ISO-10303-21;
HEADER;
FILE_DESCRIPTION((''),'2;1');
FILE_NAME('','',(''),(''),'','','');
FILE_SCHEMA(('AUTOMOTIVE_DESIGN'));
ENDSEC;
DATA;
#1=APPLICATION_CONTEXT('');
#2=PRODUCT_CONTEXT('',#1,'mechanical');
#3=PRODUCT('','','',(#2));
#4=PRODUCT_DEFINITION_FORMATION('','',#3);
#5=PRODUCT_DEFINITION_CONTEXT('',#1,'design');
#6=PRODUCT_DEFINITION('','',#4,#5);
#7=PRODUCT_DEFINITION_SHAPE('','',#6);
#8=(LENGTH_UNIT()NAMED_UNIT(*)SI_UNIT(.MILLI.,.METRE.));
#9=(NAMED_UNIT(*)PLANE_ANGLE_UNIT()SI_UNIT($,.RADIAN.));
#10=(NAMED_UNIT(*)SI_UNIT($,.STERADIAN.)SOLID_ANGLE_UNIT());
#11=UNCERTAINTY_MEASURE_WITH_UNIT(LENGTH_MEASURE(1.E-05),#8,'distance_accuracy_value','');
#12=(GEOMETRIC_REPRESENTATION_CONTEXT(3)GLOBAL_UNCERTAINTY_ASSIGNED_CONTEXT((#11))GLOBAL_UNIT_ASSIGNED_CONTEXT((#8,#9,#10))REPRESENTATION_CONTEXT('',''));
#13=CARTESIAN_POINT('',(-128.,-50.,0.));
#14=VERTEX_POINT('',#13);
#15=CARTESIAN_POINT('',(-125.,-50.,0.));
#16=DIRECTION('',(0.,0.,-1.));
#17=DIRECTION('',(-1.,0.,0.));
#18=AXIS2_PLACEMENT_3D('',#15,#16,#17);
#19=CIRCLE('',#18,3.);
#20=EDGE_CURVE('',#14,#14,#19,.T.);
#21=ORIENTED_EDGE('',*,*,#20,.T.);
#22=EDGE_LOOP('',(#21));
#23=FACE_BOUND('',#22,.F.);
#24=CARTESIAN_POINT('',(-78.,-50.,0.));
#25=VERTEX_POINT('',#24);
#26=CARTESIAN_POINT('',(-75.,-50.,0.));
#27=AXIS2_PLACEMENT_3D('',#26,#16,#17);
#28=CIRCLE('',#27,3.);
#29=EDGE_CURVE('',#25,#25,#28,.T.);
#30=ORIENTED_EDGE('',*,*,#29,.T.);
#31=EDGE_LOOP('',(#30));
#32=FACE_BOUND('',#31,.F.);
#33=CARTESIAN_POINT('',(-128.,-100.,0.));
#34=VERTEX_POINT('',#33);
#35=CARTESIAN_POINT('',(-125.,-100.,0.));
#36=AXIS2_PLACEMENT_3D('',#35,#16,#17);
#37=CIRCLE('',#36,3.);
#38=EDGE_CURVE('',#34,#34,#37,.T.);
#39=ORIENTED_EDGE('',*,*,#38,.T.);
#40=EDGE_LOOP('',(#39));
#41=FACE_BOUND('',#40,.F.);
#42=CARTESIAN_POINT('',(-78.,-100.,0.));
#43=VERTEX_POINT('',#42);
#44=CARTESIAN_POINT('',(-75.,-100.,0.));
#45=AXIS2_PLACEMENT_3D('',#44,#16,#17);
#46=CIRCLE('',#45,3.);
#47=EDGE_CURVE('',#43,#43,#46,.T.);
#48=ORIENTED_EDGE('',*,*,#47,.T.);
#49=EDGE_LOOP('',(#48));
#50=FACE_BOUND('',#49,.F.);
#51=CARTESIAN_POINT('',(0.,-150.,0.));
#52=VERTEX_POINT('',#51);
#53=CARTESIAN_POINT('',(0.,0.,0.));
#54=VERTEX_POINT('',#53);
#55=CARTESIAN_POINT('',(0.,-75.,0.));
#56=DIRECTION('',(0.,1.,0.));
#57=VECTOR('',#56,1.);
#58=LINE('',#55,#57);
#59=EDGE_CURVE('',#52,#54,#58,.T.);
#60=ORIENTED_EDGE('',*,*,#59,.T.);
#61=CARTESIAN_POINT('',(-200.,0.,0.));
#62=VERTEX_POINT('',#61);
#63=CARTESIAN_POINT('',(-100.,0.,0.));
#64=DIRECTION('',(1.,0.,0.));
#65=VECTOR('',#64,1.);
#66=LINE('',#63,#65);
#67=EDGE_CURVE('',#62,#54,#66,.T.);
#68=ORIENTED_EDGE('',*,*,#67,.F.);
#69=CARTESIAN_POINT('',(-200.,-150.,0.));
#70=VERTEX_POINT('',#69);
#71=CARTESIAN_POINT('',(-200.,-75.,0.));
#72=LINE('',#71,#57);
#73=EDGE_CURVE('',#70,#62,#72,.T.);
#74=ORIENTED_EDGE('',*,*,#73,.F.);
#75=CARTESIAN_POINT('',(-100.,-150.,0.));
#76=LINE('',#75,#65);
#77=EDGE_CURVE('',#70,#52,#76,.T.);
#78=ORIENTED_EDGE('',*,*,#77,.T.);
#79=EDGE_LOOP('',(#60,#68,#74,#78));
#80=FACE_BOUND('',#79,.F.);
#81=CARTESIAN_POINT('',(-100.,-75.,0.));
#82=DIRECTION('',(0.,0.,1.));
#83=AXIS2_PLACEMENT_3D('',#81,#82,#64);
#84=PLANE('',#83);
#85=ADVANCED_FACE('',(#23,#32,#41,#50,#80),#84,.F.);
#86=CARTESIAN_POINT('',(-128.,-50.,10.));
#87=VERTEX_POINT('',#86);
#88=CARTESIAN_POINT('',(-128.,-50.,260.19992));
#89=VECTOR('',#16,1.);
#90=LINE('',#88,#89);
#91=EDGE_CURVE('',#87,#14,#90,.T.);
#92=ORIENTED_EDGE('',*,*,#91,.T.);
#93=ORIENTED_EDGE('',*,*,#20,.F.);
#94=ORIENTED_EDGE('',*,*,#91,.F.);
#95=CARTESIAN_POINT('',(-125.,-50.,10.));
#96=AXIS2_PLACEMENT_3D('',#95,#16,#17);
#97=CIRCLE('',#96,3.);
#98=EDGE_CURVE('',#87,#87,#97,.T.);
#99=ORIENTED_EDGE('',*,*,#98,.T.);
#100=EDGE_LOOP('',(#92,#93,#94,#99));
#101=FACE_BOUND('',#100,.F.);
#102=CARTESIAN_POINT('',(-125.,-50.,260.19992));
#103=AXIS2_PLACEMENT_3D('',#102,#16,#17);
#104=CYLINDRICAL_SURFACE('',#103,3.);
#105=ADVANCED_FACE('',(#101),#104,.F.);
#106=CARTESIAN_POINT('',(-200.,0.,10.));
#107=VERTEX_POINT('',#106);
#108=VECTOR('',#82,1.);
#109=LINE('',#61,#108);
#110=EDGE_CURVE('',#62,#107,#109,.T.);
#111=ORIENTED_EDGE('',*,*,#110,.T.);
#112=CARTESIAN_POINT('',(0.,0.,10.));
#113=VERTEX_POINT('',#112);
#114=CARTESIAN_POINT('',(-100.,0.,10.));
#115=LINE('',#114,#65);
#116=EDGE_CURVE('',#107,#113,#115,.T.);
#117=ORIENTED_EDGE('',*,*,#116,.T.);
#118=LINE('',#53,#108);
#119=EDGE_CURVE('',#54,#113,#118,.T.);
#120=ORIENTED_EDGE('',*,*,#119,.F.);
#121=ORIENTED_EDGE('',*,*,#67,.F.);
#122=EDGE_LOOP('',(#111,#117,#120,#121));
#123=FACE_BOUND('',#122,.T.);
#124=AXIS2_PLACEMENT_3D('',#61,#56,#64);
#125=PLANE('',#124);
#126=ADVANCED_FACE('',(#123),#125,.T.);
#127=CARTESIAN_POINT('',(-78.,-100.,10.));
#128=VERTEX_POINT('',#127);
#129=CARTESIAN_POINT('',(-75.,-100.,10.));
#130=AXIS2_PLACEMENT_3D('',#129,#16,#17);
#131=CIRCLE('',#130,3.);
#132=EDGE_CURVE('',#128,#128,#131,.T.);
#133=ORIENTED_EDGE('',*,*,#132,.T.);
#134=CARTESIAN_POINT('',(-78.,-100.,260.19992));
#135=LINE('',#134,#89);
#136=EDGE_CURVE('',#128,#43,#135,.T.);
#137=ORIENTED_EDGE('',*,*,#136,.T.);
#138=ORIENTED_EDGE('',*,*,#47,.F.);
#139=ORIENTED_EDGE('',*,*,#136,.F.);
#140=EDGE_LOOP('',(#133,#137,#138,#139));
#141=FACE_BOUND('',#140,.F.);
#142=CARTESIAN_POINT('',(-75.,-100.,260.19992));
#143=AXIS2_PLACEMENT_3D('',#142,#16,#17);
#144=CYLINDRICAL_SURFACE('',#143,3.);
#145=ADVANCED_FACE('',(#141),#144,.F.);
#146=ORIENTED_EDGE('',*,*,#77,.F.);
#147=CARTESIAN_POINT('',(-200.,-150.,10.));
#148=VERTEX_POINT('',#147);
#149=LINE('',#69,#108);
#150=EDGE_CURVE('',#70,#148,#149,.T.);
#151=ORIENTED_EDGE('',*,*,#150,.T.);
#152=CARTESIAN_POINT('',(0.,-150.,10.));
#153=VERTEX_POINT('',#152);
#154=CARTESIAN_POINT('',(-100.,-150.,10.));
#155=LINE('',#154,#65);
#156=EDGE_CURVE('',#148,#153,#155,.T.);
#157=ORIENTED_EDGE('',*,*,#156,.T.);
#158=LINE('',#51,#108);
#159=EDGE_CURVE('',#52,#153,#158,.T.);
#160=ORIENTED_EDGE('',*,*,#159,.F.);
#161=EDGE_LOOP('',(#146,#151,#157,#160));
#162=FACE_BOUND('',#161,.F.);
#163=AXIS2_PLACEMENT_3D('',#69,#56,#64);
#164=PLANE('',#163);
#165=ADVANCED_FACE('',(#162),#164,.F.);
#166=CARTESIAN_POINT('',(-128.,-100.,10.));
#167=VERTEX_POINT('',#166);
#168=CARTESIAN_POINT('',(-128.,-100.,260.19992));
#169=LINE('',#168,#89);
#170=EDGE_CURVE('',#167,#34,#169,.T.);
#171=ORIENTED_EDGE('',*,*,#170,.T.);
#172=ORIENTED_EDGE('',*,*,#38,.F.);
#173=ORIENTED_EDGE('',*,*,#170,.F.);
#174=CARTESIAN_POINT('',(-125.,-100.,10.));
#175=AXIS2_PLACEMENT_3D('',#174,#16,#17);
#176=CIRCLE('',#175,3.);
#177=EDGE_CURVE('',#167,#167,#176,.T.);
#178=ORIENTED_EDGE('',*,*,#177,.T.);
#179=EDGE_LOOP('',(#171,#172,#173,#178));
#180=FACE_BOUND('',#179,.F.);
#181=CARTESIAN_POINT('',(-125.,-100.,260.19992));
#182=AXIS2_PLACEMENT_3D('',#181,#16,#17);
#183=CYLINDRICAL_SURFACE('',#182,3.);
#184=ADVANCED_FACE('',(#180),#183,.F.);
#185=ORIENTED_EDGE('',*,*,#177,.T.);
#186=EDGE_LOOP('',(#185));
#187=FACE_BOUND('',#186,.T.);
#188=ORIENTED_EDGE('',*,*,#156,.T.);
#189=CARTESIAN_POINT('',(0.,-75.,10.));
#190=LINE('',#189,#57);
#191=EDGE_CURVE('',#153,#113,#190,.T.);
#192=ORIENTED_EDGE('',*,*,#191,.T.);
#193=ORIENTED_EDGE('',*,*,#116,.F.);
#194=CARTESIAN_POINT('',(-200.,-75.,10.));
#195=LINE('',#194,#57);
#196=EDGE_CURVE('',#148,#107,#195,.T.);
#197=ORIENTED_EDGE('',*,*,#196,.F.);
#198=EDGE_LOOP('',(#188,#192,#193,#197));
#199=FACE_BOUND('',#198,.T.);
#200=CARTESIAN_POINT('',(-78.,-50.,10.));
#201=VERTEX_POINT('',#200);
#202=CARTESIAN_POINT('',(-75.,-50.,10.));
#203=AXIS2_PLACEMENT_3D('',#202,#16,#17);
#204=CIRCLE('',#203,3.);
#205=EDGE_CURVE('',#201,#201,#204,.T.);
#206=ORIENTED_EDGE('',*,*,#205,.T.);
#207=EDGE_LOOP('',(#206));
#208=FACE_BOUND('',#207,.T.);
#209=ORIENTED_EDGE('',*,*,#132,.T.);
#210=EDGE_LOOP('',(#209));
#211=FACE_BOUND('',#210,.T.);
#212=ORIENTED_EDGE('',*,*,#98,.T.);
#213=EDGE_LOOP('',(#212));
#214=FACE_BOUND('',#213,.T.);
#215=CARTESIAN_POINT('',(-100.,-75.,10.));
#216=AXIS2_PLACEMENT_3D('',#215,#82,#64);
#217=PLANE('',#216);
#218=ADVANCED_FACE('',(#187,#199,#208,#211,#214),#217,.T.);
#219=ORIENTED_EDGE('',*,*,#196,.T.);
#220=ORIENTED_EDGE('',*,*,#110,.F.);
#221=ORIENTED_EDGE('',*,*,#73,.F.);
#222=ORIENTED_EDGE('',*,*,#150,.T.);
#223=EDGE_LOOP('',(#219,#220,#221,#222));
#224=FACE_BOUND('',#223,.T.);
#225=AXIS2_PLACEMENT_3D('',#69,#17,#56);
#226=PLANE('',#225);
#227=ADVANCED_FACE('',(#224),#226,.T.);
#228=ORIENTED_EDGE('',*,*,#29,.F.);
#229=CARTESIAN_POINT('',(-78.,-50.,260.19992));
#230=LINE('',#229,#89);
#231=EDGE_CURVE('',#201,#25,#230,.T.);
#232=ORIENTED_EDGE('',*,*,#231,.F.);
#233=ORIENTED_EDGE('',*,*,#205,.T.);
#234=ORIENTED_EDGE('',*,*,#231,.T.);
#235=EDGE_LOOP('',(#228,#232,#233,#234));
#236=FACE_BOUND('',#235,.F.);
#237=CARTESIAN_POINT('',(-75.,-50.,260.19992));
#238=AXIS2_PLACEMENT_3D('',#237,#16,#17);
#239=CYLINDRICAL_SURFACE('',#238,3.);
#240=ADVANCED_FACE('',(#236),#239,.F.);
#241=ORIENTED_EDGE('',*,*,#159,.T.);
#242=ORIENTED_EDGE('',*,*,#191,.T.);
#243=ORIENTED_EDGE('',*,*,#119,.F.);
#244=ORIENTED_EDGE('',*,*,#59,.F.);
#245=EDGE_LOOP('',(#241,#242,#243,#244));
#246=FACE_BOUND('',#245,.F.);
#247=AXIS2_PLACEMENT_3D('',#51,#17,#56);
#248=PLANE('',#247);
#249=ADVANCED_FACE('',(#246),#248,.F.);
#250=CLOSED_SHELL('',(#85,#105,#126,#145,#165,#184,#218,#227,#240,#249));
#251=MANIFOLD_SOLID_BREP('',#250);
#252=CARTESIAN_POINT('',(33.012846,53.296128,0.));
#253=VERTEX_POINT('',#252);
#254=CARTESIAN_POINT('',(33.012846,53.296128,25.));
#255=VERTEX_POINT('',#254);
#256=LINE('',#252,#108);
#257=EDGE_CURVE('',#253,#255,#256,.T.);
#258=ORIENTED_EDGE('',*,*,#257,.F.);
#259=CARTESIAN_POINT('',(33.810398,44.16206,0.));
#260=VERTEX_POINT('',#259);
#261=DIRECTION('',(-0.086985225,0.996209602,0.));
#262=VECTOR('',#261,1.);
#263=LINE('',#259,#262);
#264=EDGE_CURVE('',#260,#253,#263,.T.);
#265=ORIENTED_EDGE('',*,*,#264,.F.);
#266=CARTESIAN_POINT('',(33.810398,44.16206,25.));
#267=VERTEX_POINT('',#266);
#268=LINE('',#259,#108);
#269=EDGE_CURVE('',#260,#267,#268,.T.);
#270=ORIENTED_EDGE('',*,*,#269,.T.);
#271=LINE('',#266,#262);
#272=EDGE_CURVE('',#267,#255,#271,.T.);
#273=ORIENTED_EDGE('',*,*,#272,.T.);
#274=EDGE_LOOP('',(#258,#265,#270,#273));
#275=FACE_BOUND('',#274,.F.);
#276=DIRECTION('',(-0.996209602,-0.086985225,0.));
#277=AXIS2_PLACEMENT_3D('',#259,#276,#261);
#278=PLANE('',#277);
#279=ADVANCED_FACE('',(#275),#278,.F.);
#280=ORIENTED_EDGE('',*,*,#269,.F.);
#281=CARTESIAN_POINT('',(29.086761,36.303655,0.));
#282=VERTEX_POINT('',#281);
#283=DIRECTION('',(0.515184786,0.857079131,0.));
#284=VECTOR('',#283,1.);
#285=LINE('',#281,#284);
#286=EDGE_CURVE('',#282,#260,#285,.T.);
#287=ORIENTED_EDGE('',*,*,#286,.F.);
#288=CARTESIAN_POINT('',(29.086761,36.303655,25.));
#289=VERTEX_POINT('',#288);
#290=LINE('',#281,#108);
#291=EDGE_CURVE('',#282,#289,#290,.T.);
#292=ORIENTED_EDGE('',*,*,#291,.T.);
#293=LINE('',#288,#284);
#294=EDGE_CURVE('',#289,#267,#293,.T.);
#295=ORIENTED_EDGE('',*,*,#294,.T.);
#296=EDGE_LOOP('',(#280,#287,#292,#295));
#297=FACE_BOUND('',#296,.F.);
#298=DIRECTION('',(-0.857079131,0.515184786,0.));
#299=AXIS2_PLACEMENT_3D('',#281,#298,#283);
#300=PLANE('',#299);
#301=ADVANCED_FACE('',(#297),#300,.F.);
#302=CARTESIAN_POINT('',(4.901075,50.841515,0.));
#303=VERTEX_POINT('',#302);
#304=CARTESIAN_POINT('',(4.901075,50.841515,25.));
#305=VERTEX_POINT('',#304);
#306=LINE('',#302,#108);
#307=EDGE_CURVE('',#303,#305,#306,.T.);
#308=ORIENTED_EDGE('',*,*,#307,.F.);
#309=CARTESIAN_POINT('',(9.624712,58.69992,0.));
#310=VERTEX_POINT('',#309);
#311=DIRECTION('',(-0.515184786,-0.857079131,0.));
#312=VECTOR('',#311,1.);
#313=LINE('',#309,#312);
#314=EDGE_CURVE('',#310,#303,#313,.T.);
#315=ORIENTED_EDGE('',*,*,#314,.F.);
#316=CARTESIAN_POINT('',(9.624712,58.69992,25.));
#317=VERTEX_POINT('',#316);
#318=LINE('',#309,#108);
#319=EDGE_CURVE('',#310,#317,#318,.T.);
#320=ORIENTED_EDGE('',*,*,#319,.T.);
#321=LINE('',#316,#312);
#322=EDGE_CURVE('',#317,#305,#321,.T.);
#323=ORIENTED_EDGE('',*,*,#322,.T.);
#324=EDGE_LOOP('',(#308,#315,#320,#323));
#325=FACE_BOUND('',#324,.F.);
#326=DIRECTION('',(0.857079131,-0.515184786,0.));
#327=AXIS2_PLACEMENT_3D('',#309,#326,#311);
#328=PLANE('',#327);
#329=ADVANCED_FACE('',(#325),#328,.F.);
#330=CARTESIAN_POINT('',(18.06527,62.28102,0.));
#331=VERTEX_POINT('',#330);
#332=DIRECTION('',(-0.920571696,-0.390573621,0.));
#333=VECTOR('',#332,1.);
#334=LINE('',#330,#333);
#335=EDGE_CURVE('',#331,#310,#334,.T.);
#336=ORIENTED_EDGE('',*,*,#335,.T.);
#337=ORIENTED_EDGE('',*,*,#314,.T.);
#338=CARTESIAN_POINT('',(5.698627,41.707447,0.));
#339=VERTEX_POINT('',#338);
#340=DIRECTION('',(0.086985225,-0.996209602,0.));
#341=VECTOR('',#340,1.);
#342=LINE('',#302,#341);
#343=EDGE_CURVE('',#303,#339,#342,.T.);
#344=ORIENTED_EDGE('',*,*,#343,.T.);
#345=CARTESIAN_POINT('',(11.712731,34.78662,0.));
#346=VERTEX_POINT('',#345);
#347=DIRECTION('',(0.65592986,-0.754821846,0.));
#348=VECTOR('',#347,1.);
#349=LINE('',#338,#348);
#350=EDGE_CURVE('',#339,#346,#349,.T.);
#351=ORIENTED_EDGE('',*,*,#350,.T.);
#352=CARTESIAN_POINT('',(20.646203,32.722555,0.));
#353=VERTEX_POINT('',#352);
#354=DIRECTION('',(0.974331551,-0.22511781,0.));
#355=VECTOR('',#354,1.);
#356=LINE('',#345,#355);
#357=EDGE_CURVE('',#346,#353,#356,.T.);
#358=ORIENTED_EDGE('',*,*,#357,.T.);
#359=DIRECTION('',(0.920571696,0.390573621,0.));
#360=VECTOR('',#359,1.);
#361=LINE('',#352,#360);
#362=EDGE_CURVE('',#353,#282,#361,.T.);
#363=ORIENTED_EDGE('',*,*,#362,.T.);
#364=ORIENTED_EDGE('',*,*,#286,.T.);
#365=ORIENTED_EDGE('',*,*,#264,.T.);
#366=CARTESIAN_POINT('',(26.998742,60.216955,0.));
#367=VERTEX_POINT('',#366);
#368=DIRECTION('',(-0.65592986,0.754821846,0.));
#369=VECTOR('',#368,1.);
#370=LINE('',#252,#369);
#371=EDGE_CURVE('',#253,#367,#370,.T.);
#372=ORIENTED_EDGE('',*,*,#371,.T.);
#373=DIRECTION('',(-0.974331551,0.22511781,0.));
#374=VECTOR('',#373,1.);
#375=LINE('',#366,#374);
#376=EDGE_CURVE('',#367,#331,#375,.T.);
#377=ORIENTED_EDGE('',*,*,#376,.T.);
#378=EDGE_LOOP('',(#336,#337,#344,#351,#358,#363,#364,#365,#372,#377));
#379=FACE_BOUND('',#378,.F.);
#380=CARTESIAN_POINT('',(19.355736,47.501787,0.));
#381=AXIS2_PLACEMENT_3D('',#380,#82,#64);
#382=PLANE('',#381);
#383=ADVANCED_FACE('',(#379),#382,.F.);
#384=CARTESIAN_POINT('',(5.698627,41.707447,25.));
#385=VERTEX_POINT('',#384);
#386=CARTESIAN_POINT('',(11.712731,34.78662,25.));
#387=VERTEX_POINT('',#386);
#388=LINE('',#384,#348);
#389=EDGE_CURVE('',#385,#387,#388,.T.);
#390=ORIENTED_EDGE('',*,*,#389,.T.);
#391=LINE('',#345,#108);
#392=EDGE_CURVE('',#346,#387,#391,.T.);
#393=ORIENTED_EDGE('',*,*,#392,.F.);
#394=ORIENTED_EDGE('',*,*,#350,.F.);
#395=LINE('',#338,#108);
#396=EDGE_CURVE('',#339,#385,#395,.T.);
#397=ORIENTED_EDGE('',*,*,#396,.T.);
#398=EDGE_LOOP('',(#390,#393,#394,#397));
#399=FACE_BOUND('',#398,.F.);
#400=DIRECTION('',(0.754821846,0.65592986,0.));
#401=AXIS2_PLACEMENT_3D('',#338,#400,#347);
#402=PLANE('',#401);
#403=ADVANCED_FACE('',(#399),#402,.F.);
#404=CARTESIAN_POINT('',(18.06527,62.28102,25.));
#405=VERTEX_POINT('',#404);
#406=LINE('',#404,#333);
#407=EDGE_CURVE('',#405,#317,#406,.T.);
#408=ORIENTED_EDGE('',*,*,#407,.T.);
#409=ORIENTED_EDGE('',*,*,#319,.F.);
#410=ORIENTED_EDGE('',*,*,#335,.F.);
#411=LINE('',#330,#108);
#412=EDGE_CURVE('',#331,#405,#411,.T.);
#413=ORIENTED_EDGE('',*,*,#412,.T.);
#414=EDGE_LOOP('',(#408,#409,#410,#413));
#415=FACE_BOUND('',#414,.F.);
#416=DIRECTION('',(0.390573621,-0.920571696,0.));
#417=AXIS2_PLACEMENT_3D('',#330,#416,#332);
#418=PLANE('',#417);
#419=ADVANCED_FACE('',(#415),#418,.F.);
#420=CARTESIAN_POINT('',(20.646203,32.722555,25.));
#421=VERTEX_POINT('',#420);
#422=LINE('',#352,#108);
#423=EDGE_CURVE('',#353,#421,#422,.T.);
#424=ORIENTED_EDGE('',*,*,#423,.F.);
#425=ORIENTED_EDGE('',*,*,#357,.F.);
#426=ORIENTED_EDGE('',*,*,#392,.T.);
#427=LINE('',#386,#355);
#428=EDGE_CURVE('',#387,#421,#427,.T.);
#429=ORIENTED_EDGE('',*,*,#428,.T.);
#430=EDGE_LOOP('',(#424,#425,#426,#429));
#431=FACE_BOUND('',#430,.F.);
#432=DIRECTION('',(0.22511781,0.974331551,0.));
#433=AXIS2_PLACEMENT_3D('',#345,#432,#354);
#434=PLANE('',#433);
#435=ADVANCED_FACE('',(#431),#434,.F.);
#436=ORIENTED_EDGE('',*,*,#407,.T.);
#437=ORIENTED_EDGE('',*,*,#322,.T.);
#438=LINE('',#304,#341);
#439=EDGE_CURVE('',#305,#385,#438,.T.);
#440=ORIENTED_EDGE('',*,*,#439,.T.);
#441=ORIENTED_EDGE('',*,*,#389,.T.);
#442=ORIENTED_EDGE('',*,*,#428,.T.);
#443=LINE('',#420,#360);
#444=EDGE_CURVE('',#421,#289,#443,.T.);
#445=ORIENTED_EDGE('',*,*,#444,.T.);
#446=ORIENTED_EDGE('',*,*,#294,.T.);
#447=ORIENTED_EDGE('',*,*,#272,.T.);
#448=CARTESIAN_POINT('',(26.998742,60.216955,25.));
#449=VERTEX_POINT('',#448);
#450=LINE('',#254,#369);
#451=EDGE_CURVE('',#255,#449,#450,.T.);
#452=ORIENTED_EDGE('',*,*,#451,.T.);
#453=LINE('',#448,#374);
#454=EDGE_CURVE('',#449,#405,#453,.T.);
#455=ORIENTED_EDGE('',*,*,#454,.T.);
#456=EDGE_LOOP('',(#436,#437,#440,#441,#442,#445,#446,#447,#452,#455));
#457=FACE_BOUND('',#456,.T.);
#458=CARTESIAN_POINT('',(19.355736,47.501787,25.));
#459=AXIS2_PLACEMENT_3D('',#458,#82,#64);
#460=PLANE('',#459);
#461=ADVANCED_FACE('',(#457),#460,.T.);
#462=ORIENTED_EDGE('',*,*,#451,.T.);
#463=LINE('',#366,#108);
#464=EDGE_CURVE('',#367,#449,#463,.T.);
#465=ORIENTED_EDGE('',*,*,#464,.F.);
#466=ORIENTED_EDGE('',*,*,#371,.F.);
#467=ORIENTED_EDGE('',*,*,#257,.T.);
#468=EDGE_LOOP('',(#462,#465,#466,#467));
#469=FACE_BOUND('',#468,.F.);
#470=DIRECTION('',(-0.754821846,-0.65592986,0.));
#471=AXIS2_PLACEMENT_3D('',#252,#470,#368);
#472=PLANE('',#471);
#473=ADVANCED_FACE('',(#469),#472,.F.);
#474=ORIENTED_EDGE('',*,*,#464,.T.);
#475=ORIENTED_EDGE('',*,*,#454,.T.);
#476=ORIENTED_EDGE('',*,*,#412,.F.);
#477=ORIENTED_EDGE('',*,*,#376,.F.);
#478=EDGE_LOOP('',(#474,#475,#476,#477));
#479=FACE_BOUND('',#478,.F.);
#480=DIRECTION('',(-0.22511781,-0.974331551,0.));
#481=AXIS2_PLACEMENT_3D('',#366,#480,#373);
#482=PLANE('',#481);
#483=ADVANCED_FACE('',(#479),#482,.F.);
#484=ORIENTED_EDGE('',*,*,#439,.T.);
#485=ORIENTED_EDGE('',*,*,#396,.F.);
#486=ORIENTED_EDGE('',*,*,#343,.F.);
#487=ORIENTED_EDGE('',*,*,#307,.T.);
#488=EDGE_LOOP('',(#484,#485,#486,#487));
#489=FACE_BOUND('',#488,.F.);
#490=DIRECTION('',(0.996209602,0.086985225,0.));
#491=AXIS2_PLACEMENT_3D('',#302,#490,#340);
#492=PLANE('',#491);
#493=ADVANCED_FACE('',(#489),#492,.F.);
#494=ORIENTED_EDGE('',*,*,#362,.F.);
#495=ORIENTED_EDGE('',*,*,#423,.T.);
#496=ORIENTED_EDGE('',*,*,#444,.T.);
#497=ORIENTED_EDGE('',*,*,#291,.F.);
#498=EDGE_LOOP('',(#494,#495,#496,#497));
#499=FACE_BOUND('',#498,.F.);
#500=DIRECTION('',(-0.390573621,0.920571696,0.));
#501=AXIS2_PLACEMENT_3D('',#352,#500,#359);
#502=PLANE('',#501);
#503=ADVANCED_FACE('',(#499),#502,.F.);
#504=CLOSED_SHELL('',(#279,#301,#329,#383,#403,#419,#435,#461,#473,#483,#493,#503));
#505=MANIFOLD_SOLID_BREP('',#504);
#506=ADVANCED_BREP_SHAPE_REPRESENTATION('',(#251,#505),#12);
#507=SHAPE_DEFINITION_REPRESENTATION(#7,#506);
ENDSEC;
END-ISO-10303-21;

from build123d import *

# Parameters (mm, degrees)
F0_W     = 200
F0_H     = 150
F1_DEPTH = 10
F3_D     = 6
F5_DEPTH = 25


with BuildPart() as f1:
    # F0 (on Top) → F1 (new body)
    with BuildSketch(Plane.XY):
        with Locations((-100, -75)):
            Rectangle(F0_W, F0_H)
    extrude(amount=F1_DEPTH)

    # F3 (through all)
    with Locations(Plane.XY.offset(10)):
        with Locations((-125, -50), (-75, -50), (-75, -100), (-125, -100)):
            Hole(F3_D / 2)


with BuildPart() as f5:
    # F4 (on Top) → F5 (new body)
    with BuildSketch(Plane.XY):
        Polygon((11.712731, 34.78662), (20.646203, 32.722555), (29.086761, 36.303655), (33.810398, 44.16206), (33.012846, 53.296128), (26.998742, 60.216955), (18.06527, 62.28102), (9.624712, 58.69992), (4.901075, 50.841515), (5.698627, 41.707447), align=None)
    extrude(amount=F5_DEPTH)


solid = Compound([f1.part, f5.part])
